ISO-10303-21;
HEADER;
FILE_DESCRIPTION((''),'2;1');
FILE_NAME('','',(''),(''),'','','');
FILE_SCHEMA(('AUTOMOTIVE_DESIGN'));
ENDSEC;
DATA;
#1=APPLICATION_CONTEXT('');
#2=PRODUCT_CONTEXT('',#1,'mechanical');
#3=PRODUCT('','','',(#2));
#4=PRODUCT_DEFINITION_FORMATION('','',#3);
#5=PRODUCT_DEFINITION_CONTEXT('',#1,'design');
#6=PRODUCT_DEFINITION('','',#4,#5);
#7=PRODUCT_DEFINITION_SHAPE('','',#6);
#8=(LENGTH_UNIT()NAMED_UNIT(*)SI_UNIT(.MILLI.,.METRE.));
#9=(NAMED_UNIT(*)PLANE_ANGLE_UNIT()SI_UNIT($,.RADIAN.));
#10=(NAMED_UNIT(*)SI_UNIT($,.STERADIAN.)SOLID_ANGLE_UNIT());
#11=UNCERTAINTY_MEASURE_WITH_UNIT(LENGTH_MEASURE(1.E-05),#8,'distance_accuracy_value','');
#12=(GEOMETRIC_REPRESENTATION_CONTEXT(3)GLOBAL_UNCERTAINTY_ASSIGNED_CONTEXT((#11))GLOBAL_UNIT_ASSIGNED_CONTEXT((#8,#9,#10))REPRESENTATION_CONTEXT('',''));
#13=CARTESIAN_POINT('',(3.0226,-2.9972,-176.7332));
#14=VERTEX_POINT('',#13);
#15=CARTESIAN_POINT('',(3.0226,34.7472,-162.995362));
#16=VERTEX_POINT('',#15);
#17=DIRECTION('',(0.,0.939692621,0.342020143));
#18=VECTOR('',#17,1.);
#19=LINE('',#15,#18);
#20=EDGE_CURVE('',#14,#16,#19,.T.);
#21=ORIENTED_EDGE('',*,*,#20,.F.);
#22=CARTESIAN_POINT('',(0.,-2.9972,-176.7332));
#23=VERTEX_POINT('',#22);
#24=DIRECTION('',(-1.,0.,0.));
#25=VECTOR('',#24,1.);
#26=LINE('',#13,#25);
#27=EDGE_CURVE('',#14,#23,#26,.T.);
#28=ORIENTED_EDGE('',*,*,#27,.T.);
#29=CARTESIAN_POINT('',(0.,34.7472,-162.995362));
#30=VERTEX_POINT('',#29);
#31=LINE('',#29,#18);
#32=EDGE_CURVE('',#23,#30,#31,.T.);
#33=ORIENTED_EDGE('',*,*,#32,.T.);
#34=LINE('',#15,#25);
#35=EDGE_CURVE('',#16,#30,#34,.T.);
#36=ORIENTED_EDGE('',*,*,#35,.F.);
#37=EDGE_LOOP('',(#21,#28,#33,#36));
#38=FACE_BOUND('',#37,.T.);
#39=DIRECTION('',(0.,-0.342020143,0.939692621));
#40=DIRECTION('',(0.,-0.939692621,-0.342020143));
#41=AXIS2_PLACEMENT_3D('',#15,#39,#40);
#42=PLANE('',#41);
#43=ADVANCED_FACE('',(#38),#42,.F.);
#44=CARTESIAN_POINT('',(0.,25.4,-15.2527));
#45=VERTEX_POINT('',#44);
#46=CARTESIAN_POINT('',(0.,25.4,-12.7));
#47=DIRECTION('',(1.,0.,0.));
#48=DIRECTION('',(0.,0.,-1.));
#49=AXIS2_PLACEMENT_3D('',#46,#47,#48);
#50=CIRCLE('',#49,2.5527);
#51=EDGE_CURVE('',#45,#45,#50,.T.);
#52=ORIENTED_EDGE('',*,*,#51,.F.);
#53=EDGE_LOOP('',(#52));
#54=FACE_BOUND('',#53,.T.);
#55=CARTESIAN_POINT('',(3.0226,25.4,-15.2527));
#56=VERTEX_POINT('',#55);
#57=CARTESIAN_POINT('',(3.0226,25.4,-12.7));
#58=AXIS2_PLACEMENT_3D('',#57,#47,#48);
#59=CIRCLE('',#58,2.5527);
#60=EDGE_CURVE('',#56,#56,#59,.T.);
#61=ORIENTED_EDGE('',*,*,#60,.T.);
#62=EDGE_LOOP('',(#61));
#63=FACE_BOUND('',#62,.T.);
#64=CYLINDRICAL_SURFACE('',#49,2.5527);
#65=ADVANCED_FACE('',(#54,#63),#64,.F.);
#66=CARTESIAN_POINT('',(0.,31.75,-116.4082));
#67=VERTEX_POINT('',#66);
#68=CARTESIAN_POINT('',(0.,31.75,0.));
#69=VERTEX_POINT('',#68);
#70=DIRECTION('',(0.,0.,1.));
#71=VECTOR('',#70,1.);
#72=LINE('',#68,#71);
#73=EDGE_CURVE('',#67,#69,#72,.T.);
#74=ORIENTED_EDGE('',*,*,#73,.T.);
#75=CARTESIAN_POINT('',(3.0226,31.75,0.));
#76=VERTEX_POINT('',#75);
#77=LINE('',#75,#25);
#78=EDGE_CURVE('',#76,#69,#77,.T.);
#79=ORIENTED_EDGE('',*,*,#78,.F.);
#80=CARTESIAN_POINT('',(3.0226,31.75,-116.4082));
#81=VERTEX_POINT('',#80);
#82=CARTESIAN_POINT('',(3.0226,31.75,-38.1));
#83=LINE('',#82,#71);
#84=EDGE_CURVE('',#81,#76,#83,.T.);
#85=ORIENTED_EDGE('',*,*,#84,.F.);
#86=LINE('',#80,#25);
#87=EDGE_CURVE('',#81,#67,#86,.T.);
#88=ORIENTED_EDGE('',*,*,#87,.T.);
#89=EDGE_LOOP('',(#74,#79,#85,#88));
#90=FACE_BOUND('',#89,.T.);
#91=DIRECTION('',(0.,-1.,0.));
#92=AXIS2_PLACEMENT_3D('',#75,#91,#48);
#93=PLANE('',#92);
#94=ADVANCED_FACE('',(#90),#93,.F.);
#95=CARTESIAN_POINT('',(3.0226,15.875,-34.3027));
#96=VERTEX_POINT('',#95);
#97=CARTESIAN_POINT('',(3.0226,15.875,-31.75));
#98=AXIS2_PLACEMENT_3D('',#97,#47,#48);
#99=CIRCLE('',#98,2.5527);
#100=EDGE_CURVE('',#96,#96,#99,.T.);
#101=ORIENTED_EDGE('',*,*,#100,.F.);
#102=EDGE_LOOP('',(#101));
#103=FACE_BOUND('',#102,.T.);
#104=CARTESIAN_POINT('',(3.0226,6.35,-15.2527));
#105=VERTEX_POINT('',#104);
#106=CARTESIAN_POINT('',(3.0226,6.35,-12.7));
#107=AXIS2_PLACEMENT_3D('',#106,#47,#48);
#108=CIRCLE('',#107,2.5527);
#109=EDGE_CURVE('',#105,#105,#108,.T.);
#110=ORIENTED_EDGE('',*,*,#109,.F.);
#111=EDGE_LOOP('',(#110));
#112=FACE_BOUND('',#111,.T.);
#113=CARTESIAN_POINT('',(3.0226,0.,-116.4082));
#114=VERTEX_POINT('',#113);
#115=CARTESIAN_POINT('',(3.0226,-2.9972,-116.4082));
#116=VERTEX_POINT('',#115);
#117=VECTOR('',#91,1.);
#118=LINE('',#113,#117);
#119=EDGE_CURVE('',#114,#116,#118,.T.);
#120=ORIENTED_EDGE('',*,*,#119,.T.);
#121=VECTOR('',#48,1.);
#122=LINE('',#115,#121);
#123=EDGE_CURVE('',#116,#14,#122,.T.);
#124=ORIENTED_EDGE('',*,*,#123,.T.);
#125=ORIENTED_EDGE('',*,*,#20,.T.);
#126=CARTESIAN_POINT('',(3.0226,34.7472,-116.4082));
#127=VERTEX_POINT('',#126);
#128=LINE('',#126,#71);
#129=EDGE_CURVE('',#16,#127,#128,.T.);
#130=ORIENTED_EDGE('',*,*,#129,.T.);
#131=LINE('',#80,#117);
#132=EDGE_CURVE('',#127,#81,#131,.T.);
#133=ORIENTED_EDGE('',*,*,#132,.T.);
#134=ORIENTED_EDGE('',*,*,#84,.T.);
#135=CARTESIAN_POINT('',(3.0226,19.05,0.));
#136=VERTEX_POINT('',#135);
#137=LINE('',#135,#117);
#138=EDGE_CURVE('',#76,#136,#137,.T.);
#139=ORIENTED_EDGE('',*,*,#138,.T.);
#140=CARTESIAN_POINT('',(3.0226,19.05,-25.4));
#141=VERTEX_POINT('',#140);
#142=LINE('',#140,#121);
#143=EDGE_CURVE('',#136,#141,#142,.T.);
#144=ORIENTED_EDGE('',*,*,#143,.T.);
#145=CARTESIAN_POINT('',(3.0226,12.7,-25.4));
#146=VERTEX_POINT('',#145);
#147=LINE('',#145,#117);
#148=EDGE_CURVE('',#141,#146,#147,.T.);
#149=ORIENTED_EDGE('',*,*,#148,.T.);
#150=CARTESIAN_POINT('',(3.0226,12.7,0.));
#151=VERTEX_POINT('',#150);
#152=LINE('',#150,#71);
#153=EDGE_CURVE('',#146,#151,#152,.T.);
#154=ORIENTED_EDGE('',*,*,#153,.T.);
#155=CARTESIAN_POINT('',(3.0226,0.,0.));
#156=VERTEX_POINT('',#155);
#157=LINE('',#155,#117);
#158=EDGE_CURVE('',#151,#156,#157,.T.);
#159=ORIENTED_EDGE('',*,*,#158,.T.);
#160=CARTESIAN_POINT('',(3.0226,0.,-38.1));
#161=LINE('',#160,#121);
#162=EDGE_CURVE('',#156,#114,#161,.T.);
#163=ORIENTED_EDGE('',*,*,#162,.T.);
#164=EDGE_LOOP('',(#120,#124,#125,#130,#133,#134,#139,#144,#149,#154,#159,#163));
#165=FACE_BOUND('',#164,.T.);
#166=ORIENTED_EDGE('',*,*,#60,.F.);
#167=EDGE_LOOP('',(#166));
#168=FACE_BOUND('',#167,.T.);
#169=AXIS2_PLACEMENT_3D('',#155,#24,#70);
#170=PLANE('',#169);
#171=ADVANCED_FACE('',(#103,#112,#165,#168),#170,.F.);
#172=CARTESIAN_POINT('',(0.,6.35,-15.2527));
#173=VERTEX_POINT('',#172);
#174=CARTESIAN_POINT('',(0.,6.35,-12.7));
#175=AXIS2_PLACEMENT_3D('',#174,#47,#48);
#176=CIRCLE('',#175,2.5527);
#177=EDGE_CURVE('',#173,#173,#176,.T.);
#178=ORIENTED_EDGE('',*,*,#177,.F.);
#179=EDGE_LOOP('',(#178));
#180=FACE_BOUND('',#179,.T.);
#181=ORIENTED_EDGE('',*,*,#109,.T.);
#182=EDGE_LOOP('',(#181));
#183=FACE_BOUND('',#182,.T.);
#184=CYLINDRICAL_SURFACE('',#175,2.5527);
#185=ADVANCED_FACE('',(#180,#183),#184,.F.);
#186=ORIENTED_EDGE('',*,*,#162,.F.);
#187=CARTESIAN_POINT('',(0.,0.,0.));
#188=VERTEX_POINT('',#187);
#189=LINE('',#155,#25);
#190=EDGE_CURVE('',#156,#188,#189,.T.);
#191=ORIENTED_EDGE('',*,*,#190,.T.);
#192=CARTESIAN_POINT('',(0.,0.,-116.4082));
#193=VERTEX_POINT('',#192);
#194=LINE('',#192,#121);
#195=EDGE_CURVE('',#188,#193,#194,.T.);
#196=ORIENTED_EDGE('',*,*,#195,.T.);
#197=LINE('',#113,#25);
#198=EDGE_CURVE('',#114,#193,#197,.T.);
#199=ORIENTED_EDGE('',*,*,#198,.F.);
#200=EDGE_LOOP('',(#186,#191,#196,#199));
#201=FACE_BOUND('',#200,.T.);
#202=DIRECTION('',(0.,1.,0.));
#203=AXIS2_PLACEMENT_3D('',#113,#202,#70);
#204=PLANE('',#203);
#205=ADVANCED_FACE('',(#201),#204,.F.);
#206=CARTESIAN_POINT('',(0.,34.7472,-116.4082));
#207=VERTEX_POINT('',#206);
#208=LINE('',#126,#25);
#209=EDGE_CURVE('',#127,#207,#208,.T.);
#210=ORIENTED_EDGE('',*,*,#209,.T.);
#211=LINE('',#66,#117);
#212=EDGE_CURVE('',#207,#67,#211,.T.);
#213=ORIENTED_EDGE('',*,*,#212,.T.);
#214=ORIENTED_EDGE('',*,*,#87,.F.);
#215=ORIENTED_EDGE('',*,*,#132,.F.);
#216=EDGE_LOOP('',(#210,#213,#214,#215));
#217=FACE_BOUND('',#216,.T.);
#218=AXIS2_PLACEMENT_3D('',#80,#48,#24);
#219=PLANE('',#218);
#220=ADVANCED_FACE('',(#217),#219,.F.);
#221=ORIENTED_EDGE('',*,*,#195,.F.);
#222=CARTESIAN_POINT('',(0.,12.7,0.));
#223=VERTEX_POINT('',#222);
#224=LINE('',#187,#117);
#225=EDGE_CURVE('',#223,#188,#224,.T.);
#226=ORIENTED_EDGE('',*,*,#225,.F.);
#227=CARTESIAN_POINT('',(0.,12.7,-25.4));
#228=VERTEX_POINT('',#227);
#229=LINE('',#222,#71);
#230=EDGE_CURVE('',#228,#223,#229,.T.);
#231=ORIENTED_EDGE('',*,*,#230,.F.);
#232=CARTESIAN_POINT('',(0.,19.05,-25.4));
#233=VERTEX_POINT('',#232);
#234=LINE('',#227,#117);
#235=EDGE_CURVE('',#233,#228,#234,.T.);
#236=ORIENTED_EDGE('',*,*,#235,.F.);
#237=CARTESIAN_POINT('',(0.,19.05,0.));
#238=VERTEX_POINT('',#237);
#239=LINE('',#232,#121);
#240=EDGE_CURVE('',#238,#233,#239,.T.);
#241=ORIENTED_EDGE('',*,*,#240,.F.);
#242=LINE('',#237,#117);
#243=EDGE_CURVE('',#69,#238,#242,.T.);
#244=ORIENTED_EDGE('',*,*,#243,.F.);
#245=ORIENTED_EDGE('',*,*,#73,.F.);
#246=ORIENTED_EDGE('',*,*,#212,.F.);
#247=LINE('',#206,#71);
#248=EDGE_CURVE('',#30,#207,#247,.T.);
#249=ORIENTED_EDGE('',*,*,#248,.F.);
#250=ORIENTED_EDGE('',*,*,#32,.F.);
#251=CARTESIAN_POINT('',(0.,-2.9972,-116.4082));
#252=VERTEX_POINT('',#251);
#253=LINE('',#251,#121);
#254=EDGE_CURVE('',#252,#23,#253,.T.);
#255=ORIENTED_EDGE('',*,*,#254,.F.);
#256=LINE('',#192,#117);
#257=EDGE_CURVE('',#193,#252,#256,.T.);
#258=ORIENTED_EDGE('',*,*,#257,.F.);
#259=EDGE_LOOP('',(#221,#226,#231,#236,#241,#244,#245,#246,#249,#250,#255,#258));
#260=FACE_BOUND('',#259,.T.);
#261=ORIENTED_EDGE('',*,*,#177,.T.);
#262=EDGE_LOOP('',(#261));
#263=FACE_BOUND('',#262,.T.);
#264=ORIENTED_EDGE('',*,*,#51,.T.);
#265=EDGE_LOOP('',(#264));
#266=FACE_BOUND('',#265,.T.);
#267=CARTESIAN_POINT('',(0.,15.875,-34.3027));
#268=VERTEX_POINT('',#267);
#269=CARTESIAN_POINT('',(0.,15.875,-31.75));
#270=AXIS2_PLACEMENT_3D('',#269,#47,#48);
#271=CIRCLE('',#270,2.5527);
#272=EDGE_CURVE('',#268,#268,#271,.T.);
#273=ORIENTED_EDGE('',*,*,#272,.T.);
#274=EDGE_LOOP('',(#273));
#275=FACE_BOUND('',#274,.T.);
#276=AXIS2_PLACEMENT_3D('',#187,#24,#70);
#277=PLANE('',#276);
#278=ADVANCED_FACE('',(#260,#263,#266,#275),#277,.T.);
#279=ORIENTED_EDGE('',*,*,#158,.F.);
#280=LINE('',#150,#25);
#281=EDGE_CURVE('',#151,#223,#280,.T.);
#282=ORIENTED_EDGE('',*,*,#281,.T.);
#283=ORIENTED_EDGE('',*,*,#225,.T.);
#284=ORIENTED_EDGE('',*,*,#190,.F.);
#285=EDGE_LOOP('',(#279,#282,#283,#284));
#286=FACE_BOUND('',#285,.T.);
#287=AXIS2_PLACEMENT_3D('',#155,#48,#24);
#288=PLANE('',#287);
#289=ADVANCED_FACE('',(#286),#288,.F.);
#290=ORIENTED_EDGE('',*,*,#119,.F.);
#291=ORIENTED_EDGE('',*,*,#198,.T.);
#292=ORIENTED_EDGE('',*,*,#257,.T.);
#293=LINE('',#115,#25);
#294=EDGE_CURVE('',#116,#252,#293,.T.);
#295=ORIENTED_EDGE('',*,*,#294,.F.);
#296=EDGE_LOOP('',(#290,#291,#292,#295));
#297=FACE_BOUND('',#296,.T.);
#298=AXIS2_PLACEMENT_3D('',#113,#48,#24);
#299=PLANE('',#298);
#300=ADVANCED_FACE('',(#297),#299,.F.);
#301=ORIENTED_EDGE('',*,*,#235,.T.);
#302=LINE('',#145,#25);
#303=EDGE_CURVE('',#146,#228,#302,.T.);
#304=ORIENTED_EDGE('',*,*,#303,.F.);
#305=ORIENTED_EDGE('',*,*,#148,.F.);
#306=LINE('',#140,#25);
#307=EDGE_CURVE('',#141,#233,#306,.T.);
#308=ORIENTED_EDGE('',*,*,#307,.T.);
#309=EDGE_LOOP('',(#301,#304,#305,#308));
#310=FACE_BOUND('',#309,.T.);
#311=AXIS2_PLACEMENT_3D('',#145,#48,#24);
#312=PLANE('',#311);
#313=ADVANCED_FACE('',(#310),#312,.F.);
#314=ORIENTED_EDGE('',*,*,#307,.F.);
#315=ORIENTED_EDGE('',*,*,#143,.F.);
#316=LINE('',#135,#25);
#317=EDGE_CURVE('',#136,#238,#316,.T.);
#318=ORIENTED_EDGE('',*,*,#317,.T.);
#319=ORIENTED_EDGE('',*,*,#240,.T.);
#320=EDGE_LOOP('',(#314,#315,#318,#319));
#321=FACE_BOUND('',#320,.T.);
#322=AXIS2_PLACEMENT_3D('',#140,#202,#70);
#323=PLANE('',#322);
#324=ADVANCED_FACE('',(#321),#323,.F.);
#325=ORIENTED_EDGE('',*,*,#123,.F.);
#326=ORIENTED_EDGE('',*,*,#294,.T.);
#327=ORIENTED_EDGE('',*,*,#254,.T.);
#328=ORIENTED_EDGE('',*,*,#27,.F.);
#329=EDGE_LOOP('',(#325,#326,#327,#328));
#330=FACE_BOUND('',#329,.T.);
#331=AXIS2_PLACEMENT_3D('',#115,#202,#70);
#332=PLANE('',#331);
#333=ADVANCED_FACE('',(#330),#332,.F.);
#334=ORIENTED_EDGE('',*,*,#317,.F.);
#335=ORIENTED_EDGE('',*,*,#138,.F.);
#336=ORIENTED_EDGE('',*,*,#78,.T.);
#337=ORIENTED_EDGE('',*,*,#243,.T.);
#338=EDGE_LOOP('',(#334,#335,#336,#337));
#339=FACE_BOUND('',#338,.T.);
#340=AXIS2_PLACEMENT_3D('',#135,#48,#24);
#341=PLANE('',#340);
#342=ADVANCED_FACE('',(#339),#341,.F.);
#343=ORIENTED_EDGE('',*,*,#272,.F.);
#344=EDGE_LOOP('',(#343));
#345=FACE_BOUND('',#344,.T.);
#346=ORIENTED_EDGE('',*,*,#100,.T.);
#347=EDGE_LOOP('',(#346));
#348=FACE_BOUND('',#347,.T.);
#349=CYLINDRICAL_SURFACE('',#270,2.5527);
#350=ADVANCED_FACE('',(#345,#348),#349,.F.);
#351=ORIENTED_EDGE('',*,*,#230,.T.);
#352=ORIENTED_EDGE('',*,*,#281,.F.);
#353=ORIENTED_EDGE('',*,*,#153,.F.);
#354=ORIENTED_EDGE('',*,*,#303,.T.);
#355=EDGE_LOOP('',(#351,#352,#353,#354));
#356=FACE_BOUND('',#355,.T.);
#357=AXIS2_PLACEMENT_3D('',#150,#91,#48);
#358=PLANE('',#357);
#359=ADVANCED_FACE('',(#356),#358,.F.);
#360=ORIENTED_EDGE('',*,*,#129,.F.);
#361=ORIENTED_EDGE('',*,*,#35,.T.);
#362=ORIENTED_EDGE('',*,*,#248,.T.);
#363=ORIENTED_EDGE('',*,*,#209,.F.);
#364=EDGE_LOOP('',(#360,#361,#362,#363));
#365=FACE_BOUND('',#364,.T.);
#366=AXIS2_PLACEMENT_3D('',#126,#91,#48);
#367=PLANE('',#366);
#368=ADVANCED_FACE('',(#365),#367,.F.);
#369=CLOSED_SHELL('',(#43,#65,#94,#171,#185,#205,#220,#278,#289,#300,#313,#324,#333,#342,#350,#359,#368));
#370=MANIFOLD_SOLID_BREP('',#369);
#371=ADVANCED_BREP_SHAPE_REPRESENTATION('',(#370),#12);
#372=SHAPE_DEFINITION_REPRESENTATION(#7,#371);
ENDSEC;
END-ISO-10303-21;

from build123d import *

# Parameters (mm, degrees)
SKETCH2_2_R         = 2.0193
BOSS_EXTRUDE2_DEPTH = 3.0226
SKETCH6_R           = 2.5527
CUT_EXTRUDE4_DEPTH  = 4.0226


with BuildPart() as part:
    # Sketch2<2> → Boss-Extrude2 (new body)
    with BuildSketch(Plane(origin=(0, 0, 0), x_dir=(0, 0, -1), z_dir=(1, 0, 0))):
        Polygon((0, 0), (0, 12.7), (25.4, 12.7), (25.4, 19.05), (0, 19.05), (0, 31.75), (38.1, 31.75), (116.4082, 31.75), (116.4082, 34.7472), (162.99536189, 34.7472), (176.7332, -2.9972), (116.4082, -2.9972), (116.4082, 0), (38.1, 0), align=None)
        with Locations((12.7, 25.4)):
            Circle(SKETCH2_2_R, mode=Mode.SUBTRACT)
        with Locations((12.7, 6.35)):
            Circle(SKETCH2_2_R, mode=Mode.SUBTRACT)
        with Locations((31.75, 15.875)):
            Circle(SKETCH2_2_R, mode=Mode.SUBTRACT)
    extrude(amount=BOSS_EXTRUDE2_DEPTH)

    # Sketch6 → Cut-Extrude4 (cut, through all)
    with BuildSketch(Plane(origin=(3.0226, 0, 0), x_dir=(0, 0, -1), z_dir=(1, 0, 0))):
        with Locations((12.7, 25.4)):
            Circle(SKETCH6_R)
        with Locations((31.75, 15.875)):
            Circle(SKETCH6_R)
        with Locations((12.7, 6.35)):
            Circle(SKETCH6_R)
    extrude(amount=-CUT_EXTRUDE4_DEPTH, mode=Mode.SUBTRACT)


solid = part.part
